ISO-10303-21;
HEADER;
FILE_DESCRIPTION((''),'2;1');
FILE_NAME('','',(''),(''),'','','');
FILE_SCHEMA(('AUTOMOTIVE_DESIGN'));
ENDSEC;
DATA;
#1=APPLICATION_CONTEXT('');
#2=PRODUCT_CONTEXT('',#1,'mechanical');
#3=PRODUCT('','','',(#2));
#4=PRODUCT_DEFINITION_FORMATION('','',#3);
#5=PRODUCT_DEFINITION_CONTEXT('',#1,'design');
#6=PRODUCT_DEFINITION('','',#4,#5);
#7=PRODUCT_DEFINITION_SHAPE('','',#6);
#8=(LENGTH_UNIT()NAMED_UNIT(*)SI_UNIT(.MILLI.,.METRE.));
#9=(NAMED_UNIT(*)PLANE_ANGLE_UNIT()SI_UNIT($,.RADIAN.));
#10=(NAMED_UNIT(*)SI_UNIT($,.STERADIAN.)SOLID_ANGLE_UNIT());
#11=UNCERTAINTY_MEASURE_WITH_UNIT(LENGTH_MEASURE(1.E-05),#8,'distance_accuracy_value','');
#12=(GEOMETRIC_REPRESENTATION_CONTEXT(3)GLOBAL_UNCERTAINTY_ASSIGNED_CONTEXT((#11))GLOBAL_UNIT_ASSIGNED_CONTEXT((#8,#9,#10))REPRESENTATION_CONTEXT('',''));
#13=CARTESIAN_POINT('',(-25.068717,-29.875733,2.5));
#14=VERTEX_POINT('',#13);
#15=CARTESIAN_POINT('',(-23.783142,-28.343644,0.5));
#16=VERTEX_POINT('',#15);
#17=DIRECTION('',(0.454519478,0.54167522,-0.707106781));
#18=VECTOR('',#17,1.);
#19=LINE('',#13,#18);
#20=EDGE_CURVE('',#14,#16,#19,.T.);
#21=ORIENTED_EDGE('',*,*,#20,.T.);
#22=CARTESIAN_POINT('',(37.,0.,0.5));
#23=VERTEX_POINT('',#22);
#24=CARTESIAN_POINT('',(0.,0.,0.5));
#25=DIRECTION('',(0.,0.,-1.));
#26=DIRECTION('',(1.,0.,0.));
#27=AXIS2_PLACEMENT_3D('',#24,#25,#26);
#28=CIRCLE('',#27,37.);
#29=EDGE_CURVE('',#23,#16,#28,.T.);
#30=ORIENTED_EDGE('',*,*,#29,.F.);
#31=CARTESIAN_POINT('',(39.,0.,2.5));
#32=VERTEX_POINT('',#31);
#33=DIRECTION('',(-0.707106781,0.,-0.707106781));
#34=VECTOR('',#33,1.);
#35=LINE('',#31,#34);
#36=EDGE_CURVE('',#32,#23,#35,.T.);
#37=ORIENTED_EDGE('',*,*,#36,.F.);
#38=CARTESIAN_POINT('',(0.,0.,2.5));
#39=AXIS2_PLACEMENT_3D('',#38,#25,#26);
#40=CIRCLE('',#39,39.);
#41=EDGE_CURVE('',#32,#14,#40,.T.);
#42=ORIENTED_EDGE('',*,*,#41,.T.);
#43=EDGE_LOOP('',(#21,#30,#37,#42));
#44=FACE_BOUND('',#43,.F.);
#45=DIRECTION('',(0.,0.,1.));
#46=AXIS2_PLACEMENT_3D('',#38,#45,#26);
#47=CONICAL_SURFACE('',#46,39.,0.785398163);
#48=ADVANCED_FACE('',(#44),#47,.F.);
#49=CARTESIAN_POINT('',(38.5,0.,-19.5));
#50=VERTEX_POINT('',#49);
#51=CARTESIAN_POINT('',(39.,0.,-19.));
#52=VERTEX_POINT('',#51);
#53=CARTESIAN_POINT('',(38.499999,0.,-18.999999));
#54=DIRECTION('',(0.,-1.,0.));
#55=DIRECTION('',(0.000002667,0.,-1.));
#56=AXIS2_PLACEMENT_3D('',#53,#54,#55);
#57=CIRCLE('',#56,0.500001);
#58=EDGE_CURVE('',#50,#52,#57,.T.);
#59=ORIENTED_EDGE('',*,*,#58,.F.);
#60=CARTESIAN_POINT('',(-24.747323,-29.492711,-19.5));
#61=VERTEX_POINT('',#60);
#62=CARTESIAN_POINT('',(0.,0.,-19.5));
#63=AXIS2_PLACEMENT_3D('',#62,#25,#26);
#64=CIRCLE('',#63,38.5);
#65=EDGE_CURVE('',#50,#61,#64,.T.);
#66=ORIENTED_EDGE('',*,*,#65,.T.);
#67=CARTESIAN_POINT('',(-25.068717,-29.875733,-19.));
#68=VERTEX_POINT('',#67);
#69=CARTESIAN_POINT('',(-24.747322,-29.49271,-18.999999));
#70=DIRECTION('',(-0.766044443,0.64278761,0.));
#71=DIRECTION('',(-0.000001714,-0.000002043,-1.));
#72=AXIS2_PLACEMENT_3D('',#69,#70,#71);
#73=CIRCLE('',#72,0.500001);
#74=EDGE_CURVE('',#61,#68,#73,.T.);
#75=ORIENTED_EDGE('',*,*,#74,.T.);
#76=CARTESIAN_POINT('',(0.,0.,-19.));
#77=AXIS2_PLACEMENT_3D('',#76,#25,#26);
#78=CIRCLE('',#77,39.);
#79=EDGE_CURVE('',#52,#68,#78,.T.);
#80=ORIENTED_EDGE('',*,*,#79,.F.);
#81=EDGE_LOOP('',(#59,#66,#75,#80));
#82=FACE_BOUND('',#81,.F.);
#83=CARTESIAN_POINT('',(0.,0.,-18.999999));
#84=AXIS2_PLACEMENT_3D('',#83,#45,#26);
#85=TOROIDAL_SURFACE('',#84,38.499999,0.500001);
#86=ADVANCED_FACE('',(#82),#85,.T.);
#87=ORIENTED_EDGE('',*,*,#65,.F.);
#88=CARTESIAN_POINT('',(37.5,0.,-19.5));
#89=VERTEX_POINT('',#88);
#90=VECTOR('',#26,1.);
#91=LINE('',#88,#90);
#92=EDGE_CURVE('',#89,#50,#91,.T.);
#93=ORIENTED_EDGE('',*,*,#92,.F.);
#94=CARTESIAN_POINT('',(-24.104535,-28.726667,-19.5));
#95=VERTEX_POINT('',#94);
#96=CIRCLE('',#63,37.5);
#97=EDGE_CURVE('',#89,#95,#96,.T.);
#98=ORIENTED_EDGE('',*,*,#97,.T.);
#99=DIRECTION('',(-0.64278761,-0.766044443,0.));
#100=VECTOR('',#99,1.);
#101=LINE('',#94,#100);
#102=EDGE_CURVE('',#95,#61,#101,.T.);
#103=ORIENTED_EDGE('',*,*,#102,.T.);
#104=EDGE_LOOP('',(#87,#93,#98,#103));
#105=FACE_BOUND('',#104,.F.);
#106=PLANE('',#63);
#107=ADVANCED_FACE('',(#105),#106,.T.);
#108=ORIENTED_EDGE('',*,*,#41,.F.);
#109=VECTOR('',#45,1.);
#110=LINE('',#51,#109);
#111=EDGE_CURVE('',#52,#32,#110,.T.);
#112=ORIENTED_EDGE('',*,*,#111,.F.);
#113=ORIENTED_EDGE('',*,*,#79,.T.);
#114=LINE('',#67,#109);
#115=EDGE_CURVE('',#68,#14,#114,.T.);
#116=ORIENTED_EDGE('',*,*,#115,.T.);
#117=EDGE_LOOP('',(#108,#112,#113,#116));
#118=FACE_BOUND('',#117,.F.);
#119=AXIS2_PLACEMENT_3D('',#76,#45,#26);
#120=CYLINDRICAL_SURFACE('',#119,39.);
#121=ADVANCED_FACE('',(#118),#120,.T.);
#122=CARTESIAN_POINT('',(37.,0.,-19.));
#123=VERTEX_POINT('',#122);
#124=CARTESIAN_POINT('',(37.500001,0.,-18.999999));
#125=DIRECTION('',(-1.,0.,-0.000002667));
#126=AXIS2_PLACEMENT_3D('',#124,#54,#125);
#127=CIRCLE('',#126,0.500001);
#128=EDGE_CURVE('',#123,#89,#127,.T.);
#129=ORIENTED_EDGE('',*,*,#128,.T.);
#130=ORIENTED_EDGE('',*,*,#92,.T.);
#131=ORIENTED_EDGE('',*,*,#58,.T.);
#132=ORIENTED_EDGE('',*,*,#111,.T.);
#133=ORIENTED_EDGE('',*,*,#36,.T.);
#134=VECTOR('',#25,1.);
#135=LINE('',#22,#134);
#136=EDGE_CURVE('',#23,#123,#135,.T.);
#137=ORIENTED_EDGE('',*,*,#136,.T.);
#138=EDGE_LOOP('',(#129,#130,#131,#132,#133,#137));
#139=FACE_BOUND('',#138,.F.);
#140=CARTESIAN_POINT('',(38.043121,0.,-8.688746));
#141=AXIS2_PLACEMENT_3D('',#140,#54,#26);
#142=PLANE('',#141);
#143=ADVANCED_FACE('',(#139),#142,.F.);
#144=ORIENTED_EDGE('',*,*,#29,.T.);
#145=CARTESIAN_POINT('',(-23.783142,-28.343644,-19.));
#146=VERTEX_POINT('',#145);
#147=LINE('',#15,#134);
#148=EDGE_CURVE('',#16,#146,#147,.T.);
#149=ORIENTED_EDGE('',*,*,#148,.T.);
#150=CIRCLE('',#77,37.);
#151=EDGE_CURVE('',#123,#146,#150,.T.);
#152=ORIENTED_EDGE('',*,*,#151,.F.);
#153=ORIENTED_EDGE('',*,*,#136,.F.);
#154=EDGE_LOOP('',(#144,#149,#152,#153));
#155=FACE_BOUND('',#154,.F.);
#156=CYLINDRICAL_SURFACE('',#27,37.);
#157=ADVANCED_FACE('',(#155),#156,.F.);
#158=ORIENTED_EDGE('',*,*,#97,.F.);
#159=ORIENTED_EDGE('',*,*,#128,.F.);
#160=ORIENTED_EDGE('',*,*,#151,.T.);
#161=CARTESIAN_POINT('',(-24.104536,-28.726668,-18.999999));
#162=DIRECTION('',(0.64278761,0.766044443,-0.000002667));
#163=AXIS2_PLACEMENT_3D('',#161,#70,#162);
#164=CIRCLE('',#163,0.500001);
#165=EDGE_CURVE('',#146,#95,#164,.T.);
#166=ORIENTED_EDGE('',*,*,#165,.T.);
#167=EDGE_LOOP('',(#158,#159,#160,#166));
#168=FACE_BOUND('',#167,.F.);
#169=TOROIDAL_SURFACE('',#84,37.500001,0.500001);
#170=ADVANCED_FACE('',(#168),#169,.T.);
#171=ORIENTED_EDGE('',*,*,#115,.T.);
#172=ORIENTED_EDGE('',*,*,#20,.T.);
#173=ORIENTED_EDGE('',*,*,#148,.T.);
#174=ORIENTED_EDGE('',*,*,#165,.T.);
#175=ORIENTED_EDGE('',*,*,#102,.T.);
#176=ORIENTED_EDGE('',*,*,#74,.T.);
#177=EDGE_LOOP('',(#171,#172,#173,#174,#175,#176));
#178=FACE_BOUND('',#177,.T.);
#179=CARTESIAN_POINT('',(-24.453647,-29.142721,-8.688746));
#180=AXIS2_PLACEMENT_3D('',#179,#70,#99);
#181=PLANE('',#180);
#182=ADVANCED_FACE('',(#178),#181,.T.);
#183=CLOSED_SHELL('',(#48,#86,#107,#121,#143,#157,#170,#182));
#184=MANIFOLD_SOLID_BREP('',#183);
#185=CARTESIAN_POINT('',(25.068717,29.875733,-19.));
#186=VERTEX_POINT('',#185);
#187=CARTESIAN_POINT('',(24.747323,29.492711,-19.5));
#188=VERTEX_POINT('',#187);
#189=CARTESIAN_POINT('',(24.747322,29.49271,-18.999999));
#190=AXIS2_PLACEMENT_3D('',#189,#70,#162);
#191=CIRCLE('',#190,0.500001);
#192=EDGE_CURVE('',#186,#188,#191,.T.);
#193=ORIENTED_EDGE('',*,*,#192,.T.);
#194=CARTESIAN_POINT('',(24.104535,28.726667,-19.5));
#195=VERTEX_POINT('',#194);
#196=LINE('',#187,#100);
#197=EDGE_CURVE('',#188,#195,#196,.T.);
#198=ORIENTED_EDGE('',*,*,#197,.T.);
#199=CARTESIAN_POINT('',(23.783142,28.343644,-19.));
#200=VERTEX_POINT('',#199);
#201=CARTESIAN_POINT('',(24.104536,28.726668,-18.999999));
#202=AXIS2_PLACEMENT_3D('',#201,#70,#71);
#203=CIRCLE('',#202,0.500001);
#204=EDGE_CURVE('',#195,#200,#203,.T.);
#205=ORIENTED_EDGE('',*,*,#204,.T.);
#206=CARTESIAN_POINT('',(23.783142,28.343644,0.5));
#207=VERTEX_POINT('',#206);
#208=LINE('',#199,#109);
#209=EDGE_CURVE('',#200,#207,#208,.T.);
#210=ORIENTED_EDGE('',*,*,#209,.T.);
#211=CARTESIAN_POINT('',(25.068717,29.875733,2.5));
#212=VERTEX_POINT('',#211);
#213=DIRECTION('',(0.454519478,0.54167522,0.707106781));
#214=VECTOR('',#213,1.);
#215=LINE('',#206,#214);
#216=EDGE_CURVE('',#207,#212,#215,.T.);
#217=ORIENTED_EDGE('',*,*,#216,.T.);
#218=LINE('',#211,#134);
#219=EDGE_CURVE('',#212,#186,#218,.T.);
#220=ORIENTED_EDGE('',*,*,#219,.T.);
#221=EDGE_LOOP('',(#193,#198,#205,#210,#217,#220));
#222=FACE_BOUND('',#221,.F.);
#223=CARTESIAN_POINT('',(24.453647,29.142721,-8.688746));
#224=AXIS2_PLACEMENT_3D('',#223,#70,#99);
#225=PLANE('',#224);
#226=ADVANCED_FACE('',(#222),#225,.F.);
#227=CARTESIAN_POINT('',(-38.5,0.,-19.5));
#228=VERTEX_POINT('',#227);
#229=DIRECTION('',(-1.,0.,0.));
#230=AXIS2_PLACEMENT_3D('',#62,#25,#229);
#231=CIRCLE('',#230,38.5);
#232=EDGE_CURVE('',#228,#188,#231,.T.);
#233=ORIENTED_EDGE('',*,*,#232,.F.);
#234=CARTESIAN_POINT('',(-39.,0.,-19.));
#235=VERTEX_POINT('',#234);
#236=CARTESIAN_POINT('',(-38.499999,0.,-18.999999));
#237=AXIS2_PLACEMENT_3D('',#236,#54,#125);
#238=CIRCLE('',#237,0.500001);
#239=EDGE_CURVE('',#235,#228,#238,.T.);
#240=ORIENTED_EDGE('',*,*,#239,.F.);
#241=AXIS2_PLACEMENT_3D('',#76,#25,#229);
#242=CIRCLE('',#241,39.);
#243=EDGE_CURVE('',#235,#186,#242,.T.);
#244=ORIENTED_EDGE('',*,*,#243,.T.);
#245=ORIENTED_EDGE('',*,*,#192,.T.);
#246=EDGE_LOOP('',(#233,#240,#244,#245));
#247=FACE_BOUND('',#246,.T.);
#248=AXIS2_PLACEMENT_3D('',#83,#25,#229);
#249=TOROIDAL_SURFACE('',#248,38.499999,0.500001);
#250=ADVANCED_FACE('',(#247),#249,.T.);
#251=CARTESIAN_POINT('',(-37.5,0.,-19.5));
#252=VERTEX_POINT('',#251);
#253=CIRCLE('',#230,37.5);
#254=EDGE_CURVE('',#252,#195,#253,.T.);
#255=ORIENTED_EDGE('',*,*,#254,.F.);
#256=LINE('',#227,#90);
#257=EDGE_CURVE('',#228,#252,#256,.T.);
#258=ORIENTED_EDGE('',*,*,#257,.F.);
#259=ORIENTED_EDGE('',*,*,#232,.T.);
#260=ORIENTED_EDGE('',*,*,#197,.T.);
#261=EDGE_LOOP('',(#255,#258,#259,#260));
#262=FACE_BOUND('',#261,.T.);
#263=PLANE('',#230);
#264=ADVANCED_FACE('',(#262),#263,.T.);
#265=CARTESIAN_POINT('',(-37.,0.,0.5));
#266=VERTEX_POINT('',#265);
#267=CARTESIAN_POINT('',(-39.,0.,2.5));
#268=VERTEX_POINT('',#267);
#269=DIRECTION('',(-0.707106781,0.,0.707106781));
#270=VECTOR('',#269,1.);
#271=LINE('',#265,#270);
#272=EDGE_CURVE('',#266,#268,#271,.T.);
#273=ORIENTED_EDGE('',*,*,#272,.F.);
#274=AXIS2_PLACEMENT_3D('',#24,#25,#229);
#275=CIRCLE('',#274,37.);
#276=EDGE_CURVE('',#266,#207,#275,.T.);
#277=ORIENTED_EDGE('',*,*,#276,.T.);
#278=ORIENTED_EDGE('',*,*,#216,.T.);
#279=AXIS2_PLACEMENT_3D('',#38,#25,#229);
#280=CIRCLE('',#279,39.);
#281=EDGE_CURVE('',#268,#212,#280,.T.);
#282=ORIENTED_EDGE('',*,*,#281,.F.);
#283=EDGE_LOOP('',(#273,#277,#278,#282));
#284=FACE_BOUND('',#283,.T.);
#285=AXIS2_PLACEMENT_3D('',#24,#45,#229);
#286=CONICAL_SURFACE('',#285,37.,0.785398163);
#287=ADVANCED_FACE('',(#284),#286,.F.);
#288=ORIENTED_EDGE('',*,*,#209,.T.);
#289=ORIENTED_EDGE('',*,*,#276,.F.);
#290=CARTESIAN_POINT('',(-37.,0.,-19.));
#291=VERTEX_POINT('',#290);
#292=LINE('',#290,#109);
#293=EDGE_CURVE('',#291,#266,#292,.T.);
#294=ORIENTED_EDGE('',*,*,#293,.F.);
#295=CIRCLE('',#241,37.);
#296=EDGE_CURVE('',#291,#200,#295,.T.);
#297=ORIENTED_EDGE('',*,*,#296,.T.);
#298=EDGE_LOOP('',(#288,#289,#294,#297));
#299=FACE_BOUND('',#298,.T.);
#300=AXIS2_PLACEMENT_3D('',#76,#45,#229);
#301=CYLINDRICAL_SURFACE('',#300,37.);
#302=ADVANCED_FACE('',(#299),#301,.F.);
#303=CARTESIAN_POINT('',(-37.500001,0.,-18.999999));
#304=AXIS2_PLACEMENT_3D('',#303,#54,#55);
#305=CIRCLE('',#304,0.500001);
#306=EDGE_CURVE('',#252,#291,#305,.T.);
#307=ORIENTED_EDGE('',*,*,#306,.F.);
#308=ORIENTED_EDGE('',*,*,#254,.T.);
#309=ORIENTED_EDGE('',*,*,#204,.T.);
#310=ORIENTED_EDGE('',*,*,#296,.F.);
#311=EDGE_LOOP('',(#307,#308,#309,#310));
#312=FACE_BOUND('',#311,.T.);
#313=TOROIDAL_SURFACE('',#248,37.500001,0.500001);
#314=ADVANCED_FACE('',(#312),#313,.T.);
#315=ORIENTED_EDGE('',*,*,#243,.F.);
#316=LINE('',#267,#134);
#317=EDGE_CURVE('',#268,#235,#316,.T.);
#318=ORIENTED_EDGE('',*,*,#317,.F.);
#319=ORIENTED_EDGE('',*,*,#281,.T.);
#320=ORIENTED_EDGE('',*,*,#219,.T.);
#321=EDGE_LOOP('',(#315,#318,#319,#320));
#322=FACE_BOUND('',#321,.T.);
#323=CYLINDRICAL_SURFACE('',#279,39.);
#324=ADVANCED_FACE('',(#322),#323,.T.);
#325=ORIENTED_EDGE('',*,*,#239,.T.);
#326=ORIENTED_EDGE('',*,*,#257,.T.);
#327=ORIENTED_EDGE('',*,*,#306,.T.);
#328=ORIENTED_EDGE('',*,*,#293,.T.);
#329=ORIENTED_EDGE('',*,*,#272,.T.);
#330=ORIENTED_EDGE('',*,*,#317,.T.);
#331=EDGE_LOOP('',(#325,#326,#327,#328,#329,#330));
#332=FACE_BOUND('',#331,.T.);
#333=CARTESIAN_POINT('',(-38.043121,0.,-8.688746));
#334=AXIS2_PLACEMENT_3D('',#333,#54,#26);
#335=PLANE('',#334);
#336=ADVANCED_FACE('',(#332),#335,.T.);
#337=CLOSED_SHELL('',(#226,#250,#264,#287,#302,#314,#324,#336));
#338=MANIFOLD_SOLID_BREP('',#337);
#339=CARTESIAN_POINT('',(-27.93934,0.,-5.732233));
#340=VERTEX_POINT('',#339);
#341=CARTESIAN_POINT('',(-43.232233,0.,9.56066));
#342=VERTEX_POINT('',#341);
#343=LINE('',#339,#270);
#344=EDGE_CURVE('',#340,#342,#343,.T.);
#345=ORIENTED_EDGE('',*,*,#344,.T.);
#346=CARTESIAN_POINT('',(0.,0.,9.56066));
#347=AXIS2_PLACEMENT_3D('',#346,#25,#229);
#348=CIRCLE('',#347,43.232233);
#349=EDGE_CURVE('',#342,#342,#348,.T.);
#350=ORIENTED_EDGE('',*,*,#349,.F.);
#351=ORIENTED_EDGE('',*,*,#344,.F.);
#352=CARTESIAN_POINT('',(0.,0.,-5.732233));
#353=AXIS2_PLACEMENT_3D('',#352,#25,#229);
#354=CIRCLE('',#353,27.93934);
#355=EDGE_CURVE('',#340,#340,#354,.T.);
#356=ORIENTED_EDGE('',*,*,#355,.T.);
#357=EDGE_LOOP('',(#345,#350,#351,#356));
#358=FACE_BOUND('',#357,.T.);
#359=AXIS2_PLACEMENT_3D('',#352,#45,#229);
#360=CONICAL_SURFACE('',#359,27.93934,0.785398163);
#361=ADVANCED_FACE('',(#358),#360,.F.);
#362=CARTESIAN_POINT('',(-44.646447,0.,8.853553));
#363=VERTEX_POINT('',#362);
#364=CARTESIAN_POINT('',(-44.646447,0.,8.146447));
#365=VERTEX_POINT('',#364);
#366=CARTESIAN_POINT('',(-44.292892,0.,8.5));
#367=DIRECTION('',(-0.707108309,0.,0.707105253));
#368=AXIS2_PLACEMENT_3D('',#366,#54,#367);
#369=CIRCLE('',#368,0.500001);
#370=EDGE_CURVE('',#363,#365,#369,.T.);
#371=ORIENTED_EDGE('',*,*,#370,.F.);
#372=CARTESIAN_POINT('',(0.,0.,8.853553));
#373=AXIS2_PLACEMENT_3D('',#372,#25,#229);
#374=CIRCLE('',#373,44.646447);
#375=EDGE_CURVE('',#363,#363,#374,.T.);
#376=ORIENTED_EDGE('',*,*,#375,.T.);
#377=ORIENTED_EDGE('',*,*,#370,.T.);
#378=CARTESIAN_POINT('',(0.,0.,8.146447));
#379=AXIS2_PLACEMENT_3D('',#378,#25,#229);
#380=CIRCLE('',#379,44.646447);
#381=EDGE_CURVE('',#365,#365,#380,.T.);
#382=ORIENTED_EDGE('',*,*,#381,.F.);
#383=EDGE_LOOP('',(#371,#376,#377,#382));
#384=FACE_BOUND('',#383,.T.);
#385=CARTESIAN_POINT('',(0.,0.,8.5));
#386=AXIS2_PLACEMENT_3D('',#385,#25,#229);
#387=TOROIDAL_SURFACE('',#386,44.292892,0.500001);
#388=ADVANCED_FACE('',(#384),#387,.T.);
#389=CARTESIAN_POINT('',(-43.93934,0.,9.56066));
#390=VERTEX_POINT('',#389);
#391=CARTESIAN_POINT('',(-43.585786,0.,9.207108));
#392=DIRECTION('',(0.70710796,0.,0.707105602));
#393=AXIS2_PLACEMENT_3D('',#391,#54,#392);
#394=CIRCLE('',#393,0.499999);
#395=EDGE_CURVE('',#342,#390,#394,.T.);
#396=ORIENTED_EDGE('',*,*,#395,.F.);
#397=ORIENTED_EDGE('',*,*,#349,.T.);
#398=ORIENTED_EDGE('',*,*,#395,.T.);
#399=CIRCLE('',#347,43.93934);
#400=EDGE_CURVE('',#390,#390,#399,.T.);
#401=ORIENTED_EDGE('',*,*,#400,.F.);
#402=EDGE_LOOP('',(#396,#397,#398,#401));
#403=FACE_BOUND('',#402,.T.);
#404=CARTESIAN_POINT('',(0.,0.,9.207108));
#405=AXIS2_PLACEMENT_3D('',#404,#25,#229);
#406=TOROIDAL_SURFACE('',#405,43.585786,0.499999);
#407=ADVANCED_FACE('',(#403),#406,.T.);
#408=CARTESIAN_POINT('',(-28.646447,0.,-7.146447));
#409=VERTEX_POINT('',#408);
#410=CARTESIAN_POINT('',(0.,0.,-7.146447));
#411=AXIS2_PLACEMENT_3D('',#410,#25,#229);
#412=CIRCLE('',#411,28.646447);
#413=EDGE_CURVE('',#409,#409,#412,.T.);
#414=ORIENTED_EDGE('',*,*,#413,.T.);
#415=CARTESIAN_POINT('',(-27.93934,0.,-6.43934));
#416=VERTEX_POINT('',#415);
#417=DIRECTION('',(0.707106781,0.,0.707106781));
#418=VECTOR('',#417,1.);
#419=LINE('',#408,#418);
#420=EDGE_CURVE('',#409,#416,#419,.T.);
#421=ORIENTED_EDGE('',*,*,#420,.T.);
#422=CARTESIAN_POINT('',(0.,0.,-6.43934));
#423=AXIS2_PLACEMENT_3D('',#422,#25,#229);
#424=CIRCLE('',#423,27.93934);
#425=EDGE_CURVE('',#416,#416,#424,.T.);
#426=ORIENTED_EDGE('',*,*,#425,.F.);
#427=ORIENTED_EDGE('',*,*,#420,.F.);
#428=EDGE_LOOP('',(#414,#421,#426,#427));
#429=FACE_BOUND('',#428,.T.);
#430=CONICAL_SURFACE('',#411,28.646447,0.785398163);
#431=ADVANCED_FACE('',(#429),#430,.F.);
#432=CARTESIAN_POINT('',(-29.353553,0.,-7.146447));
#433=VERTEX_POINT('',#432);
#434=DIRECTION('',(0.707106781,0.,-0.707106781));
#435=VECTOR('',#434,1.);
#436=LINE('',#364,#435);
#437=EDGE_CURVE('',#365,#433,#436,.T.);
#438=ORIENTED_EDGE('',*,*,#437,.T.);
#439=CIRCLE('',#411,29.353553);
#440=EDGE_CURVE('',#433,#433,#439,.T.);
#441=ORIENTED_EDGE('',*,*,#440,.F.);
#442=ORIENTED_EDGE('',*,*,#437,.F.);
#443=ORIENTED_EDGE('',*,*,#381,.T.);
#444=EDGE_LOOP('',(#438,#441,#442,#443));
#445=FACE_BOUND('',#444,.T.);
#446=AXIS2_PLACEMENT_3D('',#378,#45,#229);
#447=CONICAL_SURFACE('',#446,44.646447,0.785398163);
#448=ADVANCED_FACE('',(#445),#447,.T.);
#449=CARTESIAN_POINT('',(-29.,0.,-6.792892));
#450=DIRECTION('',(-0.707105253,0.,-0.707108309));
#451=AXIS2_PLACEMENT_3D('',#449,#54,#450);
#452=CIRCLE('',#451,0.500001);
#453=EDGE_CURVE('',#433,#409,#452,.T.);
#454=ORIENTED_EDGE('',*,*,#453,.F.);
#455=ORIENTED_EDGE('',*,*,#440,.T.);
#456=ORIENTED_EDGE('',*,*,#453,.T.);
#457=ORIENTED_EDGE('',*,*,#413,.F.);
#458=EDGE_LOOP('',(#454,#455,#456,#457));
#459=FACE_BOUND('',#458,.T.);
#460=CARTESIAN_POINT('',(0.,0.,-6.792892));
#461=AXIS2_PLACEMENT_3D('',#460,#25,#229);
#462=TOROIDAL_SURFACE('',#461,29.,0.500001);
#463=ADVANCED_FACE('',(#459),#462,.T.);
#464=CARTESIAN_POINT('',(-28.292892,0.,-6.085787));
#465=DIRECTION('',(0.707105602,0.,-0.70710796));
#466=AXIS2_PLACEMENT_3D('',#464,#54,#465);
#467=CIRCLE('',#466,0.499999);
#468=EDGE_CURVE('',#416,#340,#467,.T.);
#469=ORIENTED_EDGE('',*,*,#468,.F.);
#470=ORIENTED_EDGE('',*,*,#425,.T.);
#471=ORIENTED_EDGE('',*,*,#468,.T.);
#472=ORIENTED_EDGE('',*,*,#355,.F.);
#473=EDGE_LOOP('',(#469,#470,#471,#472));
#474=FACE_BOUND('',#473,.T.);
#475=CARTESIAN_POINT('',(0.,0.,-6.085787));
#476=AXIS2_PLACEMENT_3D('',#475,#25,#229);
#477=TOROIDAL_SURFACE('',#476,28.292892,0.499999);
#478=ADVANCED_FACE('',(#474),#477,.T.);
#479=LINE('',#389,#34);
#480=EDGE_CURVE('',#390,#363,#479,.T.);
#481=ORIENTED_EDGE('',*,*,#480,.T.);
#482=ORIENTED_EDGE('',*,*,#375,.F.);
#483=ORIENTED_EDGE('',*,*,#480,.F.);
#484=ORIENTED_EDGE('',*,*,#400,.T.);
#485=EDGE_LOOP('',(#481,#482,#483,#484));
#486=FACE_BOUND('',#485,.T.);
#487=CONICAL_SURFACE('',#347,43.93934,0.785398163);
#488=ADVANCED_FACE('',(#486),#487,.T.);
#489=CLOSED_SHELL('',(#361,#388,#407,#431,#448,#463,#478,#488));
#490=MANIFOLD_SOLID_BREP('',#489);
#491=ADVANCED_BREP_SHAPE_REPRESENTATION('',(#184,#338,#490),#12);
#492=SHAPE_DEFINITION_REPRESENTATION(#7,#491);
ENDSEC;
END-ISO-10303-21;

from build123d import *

# Parameters (mm, degrees)
F3_ANGLE = 130


with BuildPart() as f3:
    # F0 (on Front) → F3 (revolve)
    with BuildSketch(Plane.XZ):
        with BuildLine():
            Line((-39, 2.5), (-39, 2))
            Line((-39, 2), (-39, -19))
            ThreePointArc((-39, -19), (-38.853553, -19.353553), (-38.5, -19.5))
            Line((-38.5, -19.5), (-37.5, -19.5))
            ThreePointArc((-37.5, -19.5), (-37.146447, -19.353553), (-37, -19))
            Line((-37, -19), (-37, 0))
            Line((-37, 0), (-37, 0.5))
            Line((-37, 0.5), (-39, 2.5))
        make_face()
        with BuildLine():
            Line((39, -19), (39, 2))
            Line((39, 2), (39, 2.5))
            Line((39, 2.5), (37, 0.5))
            Line((37, 0.5), (37, 0))
            Line((37, 0), (37, -19))
            ThreePointArc((37, -19), (37.146447, -19.353553), (37.5, -19.5))
            Line((37.5, -19.5), (38.5, -19.5))
            ThreePointArc((38.5, -19.5), (38.853553, -19.353553), (39, -19))
        make_face()
    revolve(axis=Axis((0, 0, -10.309674), (0, 0, -1)), revolution_arc=F3_ANGLE)


with BuildPart() as f5:
    # F2 (on Front) → F5 (revolve)
    with BuildSketch(Plane.XZ):
        with BuildLine():
            ThreePointArc((-29.353553, -7.146447), (-29, -7.292893), (-28.646447, -7.146447))
            Line((-28.646447, -7.146447), (-27.93934, -6.43934))
            ThreePointArc((-27.93934, -6.43934), (-27.792893, -6.085786), (-27.93934, -5.732233))
            Line((-27.93934, -5.732233), (-43.232233, 9.56066))
            ThreePointArc((-43.232233, 9.56066), (-43.585786, 9.707107), (-43.93934, 9.56066))
            Line((-43.93934, 9.56066), (-44.646447, 8.853553))
            ThreePointArc((-44.646447, 8.853553), (-44.792893, 8.5), (-44.646447, 8.146447))
            Line((-44.646447, 8.146447), (-29.353553, -7.146447))
        make_face()
    revolve(axis=Axis((0, 0, -11.544993), (0, 0, -1)))


solid = Compound([f3.part, f5.part])
